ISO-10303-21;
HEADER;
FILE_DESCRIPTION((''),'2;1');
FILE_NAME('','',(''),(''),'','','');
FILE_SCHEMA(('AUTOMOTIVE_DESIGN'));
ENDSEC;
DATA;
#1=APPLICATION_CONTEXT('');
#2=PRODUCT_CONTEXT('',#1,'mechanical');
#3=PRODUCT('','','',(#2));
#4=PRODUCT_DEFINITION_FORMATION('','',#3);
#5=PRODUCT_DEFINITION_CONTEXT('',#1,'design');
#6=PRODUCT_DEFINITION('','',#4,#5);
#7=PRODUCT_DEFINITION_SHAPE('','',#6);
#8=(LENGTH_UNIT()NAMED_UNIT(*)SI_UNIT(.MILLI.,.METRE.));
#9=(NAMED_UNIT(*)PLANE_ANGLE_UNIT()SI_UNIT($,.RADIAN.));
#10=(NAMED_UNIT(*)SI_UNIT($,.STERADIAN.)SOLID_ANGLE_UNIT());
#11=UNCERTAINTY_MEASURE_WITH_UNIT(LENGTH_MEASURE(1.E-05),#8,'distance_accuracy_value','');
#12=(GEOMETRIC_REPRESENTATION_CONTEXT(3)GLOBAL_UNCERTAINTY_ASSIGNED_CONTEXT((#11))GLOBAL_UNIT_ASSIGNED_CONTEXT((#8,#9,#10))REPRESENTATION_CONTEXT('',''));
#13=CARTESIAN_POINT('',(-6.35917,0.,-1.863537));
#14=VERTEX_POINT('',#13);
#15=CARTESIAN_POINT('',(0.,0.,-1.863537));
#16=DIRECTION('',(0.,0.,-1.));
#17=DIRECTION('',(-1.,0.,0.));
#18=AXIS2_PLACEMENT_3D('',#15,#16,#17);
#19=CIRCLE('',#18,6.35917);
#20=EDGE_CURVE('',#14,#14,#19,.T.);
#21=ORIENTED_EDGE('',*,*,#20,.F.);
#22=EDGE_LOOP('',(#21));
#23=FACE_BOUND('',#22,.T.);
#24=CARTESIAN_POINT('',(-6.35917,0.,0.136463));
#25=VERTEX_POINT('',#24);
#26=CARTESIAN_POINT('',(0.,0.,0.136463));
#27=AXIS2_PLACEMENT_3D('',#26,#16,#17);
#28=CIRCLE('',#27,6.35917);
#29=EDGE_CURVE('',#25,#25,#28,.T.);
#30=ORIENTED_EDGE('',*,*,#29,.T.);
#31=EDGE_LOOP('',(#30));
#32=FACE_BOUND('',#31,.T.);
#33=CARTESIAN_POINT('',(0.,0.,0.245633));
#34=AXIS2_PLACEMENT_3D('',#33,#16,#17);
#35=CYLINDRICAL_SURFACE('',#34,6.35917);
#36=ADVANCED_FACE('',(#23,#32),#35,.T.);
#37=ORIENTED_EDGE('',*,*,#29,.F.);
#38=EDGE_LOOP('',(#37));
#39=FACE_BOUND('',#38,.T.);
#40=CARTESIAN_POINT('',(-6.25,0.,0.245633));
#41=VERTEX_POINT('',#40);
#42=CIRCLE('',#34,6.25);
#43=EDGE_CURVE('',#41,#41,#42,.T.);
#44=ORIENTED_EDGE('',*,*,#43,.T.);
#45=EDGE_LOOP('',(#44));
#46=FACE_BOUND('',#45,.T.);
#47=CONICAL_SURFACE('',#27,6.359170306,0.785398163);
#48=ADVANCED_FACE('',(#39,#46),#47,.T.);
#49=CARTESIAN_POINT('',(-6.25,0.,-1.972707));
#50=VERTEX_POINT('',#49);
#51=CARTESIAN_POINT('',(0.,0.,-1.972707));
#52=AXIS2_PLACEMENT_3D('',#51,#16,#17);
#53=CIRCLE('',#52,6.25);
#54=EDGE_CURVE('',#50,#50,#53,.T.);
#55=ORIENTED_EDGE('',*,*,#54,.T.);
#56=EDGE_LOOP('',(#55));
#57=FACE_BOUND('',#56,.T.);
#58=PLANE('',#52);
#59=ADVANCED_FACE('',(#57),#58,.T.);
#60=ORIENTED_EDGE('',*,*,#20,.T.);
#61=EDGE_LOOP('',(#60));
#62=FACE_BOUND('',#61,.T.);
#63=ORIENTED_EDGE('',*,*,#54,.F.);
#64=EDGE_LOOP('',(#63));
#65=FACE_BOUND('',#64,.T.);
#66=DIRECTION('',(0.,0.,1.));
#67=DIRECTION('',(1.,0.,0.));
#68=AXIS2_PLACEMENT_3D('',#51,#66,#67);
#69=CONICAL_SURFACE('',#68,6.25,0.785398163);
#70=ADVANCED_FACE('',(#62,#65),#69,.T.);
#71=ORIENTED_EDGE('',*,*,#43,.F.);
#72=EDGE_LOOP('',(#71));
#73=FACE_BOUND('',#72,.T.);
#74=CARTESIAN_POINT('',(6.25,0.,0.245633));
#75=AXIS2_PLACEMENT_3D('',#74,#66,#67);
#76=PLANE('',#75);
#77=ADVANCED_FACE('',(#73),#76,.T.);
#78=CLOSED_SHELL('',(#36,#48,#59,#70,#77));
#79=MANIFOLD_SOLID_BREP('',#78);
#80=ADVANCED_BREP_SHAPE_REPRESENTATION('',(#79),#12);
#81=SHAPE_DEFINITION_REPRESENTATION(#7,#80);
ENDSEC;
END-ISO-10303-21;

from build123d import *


with BuildPart() as part:
    # Sketch5 → Revolve2 (revolve)
    with BuildSketch(Plane(origin=(0, 0, 0), x_dir=(-1, 0, 0), z_dir=(0, -1, 0))):
        Polygon((-6.25, -0.245633188), (0, -0.245633188), (0, 1.972707424), (-6.25, 1.972707424), (-6.359170306, 1.863537118), (-6.359170306, -0.136462882), align=None)
    revolve(axis=Axis((0, 0, 0.245633188), (0, 0, -1)))


solid = part.part
